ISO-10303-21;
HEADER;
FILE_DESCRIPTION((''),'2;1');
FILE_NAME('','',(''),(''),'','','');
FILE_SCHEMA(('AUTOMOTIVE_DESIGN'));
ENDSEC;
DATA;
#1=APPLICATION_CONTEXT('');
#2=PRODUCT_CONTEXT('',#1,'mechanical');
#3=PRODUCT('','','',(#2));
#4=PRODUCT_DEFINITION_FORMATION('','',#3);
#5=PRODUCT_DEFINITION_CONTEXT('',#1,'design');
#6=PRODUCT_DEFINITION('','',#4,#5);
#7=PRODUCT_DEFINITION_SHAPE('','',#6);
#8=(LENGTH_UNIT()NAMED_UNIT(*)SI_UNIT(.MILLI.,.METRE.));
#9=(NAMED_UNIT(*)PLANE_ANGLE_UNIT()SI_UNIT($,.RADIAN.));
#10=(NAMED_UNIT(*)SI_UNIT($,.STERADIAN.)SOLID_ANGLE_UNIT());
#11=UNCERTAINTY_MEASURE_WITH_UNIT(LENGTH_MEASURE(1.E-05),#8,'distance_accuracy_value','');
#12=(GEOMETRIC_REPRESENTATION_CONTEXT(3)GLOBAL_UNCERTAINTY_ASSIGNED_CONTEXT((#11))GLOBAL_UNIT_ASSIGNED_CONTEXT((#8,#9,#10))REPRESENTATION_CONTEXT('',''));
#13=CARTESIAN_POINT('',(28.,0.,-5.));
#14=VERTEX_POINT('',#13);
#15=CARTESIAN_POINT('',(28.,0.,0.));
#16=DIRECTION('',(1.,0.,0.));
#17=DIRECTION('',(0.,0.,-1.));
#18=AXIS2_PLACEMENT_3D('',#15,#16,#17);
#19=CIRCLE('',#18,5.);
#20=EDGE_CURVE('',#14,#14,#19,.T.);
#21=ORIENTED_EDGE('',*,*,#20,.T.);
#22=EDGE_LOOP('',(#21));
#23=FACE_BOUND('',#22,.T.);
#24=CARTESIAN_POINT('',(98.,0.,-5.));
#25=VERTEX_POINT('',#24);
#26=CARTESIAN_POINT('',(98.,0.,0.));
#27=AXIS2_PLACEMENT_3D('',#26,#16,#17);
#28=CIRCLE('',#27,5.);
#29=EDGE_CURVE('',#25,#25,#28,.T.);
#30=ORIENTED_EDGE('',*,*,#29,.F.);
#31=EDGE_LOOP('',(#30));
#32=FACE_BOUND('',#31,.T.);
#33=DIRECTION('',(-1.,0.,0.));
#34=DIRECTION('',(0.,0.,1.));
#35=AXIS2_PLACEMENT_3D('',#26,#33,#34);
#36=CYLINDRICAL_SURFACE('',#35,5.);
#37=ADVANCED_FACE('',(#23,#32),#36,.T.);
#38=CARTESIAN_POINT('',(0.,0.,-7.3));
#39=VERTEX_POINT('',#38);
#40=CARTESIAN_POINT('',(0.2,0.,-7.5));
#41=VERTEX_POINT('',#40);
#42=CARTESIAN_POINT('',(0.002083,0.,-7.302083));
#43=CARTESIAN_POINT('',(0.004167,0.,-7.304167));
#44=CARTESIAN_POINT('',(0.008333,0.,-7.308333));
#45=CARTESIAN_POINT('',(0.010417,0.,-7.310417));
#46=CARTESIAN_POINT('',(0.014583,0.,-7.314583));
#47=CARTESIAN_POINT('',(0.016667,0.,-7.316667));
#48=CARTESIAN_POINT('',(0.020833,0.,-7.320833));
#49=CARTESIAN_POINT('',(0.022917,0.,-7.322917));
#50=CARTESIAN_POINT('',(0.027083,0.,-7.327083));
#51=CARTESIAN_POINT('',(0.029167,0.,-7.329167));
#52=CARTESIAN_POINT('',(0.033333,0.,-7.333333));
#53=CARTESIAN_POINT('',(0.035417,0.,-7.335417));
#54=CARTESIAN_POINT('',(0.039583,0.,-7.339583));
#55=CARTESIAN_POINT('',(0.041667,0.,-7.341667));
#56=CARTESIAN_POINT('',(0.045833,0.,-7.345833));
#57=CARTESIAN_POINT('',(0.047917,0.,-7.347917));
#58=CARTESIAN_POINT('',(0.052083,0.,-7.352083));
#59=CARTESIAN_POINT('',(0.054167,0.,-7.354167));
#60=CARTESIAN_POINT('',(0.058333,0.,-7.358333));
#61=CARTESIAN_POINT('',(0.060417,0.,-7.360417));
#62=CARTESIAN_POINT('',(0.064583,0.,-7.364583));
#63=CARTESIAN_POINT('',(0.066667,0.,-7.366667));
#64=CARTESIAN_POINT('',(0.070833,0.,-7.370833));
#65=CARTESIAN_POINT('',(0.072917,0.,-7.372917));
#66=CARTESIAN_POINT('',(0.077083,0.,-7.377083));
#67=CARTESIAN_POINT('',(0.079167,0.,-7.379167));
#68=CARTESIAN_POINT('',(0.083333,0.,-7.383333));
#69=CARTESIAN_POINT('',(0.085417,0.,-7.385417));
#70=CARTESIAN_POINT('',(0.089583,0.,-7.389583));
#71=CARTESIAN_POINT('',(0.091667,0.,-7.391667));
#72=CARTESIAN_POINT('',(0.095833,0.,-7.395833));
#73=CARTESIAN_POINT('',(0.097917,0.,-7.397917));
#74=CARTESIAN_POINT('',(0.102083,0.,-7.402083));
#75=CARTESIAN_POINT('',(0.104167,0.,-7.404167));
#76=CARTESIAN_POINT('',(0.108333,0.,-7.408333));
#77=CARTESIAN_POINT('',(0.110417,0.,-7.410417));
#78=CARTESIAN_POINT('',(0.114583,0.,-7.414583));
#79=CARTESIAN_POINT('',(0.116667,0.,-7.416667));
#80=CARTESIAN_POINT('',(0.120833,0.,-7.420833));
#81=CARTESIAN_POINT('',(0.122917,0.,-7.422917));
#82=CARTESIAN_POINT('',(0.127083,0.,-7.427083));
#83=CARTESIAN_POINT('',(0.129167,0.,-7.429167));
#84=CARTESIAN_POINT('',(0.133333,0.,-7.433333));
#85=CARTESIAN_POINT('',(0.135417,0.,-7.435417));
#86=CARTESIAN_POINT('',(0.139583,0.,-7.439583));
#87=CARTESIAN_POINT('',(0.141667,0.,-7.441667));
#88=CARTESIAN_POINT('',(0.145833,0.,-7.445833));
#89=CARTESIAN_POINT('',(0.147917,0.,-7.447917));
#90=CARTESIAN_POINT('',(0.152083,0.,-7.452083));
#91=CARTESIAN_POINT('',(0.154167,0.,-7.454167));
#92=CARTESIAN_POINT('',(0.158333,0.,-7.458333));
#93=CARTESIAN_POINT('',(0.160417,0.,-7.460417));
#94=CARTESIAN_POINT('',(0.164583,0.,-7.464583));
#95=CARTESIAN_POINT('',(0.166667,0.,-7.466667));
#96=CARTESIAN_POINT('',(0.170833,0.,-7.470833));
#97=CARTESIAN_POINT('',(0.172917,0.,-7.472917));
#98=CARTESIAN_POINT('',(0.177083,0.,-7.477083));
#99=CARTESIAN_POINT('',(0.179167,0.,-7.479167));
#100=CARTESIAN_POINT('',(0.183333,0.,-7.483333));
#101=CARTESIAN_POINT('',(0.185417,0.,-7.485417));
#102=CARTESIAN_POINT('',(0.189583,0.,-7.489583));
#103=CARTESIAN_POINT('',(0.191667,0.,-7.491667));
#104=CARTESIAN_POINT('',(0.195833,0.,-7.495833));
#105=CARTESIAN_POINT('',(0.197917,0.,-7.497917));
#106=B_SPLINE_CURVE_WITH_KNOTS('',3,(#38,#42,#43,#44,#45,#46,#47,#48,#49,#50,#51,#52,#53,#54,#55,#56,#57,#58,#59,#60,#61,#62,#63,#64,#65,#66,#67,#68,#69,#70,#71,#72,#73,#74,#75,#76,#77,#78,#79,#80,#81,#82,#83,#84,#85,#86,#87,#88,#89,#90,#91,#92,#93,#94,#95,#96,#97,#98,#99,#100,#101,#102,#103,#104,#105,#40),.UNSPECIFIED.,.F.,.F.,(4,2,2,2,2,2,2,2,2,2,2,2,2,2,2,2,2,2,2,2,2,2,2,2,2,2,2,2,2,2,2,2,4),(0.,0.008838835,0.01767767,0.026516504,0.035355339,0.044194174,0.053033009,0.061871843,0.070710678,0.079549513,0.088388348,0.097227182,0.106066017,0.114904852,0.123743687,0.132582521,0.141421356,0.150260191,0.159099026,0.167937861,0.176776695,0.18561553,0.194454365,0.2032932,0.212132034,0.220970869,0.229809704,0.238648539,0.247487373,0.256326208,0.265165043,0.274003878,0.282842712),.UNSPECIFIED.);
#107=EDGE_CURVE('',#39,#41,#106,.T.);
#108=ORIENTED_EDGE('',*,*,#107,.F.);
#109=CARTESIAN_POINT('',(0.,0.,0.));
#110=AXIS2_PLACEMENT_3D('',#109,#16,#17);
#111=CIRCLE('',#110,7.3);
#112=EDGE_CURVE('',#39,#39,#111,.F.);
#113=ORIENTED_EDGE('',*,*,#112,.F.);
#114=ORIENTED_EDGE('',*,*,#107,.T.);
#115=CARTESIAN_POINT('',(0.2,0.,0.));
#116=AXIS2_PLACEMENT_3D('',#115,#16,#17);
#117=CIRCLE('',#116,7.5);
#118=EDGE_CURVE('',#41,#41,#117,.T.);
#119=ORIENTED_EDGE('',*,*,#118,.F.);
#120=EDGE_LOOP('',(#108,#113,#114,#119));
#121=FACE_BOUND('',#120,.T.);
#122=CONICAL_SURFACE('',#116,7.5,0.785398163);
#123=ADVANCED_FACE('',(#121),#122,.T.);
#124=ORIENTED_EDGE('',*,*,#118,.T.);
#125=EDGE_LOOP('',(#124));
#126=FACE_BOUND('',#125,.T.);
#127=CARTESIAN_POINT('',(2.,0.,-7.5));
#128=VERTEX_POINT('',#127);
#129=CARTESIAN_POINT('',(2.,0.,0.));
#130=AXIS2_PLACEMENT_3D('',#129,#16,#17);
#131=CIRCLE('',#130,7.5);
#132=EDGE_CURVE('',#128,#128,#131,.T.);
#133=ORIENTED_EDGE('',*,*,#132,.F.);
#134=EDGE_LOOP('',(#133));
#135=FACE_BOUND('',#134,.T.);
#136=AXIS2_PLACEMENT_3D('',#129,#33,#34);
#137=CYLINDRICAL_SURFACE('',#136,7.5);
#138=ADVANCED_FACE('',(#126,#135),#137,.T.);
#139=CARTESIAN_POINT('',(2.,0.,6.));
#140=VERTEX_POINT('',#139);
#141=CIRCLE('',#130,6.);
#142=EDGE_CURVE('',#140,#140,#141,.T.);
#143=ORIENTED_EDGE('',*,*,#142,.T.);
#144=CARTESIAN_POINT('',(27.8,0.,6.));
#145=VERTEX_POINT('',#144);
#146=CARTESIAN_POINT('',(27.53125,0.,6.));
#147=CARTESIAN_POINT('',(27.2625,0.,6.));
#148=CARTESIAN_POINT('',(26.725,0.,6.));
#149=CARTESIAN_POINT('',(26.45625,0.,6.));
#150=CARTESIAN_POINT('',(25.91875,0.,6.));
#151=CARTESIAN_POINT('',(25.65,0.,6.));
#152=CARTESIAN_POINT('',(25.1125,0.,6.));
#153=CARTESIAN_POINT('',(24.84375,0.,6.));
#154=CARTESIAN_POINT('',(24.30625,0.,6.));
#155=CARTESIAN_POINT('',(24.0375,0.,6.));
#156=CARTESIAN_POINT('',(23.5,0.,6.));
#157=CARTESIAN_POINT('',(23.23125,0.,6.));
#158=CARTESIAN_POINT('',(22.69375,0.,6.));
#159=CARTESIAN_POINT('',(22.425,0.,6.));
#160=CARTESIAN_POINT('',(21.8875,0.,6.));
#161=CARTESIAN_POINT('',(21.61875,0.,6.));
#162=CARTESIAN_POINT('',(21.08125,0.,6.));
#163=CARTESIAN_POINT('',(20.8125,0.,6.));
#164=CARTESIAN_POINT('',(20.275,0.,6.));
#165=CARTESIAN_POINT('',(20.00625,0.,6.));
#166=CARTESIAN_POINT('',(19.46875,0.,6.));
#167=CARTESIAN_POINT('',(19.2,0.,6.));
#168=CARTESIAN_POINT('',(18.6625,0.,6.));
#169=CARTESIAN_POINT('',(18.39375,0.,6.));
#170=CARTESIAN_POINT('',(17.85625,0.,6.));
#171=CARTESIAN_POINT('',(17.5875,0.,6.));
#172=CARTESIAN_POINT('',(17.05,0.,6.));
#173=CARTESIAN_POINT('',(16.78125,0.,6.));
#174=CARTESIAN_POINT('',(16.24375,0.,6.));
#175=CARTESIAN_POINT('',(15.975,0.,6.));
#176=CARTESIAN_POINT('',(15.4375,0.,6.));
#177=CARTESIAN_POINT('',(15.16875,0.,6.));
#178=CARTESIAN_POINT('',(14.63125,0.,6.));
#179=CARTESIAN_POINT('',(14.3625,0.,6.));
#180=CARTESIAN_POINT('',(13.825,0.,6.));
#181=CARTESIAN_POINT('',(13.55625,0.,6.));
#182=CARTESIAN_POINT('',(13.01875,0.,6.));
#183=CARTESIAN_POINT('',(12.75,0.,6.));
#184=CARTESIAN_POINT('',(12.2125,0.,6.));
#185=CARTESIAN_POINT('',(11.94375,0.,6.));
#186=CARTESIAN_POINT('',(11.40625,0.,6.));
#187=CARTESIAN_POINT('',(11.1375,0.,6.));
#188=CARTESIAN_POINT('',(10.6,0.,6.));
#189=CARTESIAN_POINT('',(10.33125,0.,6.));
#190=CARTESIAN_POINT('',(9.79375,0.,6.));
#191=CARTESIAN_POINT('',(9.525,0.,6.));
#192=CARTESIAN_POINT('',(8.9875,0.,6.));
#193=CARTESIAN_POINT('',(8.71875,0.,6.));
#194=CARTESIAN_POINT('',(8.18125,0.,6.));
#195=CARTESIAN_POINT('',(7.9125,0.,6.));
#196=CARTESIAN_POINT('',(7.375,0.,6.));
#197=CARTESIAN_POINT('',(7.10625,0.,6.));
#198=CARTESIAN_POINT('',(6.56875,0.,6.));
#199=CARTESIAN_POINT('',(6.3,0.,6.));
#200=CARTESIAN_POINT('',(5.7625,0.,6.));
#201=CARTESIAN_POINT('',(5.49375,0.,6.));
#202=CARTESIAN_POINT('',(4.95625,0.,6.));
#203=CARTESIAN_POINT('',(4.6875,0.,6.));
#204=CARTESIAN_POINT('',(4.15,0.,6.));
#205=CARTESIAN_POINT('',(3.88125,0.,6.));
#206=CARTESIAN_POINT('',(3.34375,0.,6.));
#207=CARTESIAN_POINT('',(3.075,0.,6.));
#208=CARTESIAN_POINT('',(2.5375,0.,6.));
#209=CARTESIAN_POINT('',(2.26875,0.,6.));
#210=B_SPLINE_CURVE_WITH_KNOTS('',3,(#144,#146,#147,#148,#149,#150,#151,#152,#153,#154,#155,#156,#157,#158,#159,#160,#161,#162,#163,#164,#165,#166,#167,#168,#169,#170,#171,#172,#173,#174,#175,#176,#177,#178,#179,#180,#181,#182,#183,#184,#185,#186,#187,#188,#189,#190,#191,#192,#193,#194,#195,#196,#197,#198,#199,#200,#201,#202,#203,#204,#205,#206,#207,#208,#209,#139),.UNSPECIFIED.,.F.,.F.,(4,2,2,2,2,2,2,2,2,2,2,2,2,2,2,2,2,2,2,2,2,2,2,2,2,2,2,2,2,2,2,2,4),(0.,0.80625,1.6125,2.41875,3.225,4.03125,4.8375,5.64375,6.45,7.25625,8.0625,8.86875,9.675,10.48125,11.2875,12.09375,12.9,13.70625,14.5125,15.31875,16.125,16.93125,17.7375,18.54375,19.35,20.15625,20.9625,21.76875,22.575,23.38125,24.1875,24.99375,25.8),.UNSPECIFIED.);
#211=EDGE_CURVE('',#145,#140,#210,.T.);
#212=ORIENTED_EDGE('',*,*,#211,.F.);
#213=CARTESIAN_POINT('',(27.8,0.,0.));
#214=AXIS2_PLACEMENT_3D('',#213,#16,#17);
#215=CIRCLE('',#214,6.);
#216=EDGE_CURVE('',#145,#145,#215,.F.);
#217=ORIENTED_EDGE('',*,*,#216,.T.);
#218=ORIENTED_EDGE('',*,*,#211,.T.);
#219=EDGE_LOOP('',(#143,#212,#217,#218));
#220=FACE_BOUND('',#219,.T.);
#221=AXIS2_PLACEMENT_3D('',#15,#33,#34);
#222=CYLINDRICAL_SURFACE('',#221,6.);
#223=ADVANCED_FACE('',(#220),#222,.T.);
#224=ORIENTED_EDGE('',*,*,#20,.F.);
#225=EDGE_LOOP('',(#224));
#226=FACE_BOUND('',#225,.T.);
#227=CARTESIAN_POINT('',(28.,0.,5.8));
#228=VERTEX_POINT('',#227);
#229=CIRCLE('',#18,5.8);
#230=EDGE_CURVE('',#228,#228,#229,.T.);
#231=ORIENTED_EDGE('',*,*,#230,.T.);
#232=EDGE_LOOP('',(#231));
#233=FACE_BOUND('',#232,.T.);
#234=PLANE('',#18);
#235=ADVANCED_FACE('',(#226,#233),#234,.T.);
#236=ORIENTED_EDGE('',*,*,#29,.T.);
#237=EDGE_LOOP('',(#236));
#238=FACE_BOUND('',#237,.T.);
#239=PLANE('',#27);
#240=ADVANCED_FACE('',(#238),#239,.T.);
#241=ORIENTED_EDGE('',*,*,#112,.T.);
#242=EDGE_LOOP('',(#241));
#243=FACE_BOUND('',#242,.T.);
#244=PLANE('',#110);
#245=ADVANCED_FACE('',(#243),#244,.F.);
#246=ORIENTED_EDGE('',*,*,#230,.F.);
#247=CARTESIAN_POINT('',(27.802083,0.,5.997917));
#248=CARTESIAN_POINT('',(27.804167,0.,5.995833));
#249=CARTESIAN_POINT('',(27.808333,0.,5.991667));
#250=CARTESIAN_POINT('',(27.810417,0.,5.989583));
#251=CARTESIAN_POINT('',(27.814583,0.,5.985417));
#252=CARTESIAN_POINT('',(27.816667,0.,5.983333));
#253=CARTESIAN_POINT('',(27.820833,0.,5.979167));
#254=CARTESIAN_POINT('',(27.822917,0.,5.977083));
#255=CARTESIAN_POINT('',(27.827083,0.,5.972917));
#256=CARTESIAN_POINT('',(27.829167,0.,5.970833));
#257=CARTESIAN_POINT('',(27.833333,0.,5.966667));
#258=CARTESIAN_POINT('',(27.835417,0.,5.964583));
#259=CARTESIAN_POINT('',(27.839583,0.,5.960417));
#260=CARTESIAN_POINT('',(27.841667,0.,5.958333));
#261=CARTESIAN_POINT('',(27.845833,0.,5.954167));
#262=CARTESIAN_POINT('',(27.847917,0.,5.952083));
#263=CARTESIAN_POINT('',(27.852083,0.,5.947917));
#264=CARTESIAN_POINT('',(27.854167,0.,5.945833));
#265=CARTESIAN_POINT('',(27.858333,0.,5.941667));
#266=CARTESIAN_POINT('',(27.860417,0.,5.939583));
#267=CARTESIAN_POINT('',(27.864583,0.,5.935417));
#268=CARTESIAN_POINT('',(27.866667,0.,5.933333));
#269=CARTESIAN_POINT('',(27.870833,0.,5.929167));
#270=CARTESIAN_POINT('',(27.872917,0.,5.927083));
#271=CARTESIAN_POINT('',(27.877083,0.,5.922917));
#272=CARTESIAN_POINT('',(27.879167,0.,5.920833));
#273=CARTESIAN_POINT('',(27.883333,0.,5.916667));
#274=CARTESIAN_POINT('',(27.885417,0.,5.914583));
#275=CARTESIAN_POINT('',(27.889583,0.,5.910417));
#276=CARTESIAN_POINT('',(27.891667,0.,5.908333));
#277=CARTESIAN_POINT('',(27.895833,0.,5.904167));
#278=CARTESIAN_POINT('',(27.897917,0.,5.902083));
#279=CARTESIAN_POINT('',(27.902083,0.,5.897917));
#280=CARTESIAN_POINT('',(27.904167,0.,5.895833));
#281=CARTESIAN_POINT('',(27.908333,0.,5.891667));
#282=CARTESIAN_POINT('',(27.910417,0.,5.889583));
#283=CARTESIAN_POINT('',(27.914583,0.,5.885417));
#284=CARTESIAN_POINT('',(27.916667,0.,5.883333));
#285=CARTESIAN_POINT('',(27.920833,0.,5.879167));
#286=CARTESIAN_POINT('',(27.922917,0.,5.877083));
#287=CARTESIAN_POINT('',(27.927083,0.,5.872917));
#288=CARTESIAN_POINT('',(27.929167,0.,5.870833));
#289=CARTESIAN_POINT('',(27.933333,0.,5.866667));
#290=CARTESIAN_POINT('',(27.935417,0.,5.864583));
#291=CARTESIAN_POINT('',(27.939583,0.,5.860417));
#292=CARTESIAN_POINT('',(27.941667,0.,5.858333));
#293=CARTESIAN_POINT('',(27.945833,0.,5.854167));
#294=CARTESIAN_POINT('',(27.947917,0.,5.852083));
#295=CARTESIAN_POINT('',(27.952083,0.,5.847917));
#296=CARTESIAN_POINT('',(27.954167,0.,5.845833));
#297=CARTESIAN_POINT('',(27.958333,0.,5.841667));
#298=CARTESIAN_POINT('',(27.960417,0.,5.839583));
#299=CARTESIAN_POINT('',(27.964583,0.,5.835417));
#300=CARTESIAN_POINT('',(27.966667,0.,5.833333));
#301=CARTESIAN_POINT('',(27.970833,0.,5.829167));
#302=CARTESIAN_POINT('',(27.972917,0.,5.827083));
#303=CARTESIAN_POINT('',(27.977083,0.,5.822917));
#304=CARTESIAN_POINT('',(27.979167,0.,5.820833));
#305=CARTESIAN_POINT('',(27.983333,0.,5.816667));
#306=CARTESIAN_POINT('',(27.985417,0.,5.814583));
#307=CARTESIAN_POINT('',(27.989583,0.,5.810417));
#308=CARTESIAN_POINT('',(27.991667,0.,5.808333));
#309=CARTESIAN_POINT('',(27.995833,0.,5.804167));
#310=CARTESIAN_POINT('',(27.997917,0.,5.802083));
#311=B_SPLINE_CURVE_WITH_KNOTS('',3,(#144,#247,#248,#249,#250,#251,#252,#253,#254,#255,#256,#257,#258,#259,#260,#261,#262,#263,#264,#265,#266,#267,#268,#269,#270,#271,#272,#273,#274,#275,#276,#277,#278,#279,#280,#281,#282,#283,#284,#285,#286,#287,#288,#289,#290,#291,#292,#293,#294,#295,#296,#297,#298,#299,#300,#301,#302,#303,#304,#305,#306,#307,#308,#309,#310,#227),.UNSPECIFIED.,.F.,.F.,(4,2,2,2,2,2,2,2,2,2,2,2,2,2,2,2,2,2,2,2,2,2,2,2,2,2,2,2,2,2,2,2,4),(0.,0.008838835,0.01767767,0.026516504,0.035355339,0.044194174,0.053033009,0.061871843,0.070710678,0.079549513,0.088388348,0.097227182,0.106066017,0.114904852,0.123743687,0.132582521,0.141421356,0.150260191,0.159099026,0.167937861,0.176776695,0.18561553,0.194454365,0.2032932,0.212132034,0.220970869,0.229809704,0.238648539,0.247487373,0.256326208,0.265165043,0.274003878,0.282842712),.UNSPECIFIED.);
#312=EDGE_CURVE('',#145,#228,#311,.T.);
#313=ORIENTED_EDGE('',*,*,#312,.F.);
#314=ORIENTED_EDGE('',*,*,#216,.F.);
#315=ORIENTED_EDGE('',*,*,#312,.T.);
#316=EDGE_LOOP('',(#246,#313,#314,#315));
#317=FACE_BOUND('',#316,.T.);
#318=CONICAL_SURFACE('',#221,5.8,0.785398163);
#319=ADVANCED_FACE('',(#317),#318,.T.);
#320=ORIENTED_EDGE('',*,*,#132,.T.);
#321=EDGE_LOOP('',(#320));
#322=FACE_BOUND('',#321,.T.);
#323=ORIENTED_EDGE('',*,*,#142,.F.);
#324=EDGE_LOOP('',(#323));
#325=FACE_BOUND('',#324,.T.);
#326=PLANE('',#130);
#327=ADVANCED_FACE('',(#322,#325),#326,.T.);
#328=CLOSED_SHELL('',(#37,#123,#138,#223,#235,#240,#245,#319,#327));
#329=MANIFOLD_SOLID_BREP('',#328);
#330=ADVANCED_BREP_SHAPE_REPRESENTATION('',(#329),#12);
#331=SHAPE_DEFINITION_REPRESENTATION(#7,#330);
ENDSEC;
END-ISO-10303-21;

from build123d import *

# Parameters (mm, degrees)
SKETCH1_R           = 7.5
BOSS_EXTRUDE1_DEPTH = 2
SKETCH2_R           = 6
BOSS_EXTRUDE2_DEPTH = 26
SKETCH3_R           = 5
BOSS_EXTRUDE3_DEPTH = 70
CHAMFER1_SIZE       = 0.2


with BuildPart() as part:
    # Sketch1 → Boss-Extrude1 (new body)
    with BuildSketch(Plane(origin=(0, 0, 0), x_dir=(0, 0, -1), z_dir=(1, 0, 0))):
        Circle(SKETCH1_R)
    extrude(amount=BOSS_EXTRUDE1_DEPTH)

    # Sketch2 → Boss-Extrude2 (add)
    with BuildSketch(Plane(origin=(2, 0, 0), x_dir=(0, 0, -1), z_dir=(1, 0, 0))):
        with Locations(Location((0, 0, 0), (0, 0, 180))):
            Circle(SKETCH2_R)
    extrude(amount=BOSS_EXTRUDE2_DEPTH)

    # Sketch3 → Boss-Extrude3 (add)
    with BuildSketch(Plane(origin=(28, 0, 0), x_dir=(0, 0, -1), z_dir=(1, 0, 0))):
        Circle(SKETCH3_R)
    extrude(amount=BOSS_EXTRUDE3_DEPTH)

    # Chamfer1
    chamfer1_edges = [part.edges().sort_by_distance(p)[0] for p in [
        (0, 0, 7.5),
        (28, 0, -6),
    ]]
    chamfer(chamfer1_edges, length=CHAMFER1_SIZE)


solid = part.part
